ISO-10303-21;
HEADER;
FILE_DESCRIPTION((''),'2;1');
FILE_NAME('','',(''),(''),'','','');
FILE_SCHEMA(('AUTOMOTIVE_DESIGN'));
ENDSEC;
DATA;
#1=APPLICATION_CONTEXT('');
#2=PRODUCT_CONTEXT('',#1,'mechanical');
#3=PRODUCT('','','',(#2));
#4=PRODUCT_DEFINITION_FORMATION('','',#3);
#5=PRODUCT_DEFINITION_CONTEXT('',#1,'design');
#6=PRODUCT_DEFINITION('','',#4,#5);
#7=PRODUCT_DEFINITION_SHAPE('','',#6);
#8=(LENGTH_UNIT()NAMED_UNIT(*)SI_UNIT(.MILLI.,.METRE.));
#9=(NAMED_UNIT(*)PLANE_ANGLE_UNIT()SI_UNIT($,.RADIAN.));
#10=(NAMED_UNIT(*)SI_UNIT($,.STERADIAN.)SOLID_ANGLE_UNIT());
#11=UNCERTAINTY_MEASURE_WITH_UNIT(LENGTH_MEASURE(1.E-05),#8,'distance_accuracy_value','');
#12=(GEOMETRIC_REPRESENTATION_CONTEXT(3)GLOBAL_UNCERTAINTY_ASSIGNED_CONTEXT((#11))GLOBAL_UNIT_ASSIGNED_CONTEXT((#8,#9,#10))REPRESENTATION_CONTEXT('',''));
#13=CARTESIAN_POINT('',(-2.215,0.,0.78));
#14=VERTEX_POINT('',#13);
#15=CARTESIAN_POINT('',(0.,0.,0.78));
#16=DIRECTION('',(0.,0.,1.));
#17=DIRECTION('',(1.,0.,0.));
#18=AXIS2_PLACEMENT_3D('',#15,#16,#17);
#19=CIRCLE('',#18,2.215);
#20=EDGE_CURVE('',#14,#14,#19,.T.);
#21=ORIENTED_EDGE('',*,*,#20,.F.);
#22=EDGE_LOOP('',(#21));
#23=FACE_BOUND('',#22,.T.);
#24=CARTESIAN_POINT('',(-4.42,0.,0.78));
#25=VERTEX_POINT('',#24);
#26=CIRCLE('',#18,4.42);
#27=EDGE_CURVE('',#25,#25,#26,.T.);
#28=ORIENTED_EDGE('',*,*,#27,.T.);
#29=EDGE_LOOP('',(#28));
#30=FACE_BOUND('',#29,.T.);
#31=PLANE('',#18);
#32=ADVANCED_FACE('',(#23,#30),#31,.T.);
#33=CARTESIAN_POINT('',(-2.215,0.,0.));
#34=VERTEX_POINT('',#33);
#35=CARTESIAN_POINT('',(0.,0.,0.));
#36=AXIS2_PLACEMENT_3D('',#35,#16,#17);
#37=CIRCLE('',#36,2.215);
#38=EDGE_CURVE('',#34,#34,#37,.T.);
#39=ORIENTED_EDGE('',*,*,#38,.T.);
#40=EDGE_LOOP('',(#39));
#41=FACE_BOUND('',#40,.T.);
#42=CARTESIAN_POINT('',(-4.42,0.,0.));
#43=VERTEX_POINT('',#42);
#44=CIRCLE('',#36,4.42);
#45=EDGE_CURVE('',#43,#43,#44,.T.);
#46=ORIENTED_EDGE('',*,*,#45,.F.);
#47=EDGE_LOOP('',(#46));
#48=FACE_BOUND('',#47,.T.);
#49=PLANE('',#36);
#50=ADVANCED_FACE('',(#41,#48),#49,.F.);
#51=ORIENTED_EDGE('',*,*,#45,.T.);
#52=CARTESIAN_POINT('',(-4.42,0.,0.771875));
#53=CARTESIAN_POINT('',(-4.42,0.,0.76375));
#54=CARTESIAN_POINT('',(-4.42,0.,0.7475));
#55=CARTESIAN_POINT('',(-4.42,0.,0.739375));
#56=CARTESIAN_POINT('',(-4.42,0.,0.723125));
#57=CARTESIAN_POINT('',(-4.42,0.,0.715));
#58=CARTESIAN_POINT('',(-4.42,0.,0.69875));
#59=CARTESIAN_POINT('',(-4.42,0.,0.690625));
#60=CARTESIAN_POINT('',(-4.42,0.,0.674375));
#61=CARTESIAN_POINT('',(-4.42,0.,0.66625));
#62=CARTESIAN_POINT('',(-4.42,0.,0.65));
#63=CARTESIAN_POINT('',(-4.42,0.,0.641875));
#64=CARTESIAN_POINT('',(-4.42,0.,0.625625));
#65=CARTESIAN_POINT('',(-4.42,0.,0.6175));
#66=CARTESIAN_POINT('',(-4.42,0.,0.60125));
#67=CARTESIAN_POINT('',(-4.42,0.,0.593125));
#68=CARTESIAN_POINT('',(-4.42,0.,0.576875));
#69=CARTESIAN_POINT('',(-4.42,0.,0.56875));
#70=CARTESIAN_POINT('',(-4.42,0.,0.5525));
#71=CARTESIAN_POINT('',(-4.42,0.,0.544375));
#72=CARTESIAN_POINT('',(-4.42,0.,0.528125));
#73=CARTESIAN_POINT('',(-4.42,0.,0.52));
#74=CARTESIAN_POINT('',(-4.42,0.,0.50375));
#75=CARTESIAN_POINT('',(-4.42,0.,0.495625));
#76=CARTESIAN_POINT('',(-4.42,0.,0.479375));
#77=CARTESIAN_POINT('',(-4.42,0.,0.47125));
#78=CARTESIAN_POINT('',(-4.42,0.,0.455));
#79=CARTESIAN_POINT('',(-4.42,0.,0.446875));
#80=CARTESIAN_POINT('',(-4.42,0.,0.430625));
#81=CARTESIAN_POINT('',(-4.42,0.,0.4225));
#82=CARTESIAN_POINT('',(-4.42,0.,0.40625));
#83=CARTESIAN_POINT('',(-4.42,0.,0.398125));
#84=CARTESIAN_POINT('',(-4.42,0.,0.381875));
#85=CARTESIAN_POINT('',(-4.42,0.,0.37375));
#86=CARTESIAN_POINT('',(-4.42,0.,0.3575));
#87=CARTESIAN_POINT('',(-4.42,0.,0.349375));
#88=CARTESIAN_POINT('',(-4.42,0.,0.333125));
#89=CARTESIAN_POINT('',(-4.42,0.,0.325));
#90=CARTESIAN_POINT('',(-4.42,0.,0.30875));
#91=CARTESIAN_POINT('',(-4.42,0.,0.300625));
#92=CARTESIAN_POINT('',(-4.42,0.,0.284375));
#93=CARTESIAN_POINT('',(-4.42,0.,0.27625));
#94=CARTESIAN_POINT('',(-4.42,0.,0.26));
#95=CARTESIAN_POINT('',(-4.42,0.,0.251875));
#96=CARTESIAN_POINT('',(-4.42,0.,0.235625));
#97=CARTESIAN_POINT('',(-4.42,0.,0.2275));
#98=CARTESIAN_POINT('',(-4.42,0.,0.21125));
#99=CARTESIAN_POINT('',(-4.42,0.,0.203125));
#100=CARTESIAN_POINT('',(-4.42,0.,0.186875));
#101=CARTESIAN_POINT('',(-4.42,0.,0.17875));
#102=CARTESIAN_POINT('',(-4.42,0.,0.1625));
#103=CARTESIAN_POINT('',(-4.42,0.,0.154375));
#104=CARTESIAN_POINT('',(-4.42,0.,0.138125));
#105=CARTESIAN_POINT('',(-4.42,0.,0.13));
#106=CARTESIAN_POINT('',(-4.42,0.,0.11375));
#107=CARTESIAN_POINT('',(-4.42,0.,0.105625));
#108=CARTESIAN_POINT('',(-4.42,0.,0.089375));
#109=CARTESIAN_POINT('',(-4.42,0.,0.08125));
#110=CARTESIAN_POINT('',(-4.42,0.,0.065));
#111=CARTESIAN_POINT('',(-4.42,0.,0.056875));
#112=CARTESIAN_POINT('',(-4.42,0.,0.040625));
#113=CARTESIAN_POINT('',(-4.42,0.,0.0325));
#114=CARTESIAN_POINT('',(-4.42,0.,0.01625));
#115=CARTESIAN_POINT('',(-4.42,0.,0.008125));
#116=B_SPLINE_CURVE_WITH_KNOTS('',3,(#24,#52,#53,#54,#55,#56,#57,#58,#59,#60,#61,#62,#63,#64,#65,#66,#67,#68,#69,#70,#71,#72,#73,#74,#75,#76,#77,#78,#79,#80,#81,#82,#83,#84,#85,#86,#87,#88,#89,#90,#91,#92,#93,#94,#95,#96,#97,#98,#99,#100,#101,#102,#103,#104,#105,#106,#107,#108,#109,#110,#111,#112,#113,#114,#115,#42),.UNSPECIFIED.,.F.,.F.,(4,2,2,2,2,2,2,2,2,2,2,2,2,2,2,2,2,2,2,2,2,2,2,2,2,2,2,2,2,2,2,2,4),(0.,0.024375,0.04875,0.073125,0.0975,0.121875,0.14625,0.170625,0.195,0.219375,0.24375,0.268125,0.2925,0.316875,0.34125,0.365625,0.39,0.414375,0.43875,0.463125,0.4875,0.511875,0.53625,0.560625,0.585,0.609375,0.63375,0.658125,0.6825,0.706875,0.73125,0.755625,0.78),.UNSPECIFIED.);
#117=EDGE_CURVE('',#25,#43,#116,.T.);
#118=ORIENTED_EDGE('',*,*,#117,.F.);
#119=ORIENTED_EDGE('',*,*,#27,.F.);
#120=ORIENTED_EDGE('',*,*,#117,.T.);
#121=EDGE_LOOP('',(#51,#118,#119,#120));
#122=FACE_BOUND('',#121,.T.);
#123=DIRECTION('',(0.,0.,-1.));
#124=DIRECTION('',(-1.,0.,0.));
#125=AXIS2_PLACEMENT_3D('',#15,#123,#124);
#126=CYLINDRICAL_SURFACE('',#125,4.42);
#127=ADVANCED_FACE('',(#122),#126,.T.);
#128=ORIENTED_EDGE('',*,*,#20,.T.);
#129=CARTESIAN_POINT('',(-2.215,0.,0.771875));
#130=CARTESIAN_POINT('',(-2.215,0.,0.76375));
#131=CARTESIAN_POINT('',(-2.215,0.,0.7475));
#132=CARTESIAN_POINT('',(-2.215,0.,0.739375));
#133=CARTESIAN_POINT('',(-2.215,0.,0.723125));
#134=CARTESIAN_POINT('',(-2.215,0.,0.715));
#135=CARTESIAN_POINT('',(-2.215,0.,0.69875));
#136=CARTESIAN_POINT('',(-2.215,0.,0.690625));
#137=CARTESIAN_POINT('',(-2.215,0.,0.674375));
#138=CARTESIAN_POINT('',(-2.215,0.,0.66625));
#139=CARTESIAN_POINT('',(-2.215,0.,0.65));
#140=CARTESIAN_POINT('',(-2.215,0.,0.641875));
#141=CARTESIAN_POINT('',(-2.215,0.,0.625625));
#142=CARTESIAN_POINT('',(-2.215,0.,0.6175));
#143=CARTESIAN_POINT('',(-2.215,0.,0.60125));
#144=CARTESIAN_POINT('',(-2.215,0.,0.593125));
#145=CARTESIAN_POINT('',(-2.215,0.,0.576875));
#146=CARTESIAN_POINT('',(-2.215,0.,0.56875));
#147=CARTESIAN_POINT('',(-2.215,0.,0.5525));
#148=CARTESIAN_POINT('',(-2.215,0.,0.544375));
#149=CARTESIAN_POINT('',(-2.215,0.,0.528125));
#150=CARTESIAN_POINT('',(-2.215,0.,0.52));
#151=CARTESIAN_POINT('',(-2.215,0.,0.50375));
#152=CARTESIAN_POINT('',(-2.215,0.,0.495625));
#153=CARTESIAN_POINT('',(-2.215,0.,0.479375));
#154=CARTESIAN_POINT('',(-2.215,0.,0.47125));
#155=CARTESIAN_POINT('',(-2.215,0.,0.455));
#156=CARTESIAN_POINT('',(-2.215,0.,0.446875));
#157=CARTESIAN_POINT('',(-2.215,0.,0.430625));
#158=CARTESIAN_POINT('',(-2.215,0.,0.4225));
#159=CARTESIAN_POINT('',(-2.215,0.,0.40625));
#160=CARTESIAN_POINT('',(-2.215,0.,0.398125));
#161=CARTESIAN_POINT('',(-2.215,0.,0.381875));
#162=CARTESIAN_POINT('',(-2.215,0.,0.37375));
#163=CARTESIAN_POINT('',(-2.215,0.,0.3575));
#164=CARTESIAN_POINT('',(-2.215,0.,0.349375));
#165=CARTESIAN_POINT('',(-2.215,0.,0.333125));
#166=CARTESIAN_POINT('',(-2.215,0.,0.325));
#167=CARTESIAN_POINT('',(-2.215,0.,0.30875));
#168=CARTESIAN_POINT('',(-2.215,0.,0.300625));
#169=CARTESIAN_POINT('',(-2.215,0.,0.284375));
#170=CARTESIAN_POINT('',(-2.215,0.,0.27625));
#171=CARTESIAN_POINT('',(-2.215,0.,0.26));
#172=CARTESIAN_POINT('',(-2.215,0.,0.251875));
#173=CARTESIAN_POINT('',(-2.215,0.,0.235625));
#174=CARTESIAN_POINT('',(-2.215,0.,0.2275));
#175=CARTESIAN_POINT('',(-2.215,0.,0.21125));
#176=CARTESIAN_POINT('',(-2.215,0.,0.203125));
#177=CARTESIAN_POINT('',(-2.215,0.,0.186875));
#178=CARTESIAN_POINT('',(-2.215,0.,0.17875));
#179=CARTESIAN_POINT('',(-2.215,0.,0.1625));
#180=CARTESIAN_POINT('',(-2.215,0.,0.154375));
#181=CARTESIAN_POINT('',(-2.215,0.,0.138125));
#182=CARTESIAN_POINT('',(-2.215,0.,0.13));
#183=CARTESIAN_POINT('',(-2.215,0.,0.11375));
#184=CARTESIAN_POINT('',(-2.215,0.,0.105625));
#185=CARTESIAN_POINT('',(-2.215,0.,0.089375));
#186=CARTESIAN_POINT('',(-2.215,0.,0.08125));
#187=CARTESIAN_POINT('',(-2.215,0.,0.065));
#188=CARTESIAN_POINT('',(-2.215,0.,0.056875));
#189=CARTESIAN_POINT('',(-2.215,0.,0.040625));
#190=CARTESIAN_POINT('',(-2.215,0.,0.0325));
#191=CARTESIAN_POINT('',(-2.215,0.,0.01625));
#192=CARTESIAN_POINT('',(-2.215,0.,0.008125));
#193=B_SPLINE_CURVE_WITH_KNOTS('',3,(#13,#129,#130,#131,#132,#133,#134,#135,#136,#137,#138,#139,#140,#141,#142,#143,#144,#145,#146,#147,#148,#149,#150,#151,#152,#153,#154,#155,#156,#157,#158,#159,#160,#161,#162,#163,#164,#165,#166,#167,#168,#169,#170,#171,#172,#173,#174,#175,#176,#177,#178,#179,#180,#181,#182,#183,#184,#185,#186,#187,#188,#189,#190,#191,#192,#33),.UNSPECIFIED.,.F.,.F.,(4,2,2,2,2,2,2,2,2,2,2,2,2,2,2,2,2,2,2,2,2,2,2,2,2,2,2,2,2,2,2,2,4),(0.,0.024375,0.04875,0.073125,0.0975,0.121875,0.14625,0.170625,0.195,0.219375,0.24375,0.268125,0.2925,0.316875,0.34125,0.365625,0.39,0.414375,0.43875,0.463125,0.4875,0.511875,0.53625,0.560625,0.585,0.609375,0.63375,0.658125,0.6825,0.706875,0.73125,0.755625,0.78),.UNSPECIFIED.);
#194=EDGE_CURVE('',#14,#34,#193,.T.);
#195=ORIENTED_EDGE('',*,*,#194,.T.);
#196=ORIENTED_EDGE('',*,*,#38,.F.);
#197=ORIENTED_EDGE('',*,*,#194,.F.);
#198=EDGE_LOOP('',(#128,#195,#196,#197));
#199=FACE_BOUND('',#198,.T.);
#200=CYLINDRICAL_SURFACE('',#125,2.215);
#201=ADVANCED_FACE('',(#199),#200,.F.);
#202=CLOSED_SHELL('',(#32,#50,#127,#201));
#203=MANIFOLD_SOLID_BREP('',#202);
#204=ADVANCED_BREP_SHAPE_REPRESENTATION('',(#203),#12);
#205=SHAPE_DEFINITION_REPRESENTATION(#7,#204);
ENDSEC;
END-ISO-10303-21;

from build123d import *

# Parameters (mm, degrees)
SCHIZZO2_R                   = 4.42
SCHIZZO2_R_2                 = 2.215
ESTRUSIONE_ESTRUSIONE1_DEPTH = 0.78


with BuildPart() as part:
    # Schizzo2 → Estrusione-Estrusione1 (new body)
    with BuildSketch(Plane.XY):
        with Locations(Location((0, 0, 0), (0, 0, 180))):
            Circle(SCHIZZO2_R)
        with Locations(Location((0, 0, 0), (0, 0, 180))):
            Circle(SCHIZZO2_R_2, mode=Mode.SUBTRACT)
    extrude(amount=ESTRUSIONE_ESTRUSIONE1_DEPTH)


solid = part.part
